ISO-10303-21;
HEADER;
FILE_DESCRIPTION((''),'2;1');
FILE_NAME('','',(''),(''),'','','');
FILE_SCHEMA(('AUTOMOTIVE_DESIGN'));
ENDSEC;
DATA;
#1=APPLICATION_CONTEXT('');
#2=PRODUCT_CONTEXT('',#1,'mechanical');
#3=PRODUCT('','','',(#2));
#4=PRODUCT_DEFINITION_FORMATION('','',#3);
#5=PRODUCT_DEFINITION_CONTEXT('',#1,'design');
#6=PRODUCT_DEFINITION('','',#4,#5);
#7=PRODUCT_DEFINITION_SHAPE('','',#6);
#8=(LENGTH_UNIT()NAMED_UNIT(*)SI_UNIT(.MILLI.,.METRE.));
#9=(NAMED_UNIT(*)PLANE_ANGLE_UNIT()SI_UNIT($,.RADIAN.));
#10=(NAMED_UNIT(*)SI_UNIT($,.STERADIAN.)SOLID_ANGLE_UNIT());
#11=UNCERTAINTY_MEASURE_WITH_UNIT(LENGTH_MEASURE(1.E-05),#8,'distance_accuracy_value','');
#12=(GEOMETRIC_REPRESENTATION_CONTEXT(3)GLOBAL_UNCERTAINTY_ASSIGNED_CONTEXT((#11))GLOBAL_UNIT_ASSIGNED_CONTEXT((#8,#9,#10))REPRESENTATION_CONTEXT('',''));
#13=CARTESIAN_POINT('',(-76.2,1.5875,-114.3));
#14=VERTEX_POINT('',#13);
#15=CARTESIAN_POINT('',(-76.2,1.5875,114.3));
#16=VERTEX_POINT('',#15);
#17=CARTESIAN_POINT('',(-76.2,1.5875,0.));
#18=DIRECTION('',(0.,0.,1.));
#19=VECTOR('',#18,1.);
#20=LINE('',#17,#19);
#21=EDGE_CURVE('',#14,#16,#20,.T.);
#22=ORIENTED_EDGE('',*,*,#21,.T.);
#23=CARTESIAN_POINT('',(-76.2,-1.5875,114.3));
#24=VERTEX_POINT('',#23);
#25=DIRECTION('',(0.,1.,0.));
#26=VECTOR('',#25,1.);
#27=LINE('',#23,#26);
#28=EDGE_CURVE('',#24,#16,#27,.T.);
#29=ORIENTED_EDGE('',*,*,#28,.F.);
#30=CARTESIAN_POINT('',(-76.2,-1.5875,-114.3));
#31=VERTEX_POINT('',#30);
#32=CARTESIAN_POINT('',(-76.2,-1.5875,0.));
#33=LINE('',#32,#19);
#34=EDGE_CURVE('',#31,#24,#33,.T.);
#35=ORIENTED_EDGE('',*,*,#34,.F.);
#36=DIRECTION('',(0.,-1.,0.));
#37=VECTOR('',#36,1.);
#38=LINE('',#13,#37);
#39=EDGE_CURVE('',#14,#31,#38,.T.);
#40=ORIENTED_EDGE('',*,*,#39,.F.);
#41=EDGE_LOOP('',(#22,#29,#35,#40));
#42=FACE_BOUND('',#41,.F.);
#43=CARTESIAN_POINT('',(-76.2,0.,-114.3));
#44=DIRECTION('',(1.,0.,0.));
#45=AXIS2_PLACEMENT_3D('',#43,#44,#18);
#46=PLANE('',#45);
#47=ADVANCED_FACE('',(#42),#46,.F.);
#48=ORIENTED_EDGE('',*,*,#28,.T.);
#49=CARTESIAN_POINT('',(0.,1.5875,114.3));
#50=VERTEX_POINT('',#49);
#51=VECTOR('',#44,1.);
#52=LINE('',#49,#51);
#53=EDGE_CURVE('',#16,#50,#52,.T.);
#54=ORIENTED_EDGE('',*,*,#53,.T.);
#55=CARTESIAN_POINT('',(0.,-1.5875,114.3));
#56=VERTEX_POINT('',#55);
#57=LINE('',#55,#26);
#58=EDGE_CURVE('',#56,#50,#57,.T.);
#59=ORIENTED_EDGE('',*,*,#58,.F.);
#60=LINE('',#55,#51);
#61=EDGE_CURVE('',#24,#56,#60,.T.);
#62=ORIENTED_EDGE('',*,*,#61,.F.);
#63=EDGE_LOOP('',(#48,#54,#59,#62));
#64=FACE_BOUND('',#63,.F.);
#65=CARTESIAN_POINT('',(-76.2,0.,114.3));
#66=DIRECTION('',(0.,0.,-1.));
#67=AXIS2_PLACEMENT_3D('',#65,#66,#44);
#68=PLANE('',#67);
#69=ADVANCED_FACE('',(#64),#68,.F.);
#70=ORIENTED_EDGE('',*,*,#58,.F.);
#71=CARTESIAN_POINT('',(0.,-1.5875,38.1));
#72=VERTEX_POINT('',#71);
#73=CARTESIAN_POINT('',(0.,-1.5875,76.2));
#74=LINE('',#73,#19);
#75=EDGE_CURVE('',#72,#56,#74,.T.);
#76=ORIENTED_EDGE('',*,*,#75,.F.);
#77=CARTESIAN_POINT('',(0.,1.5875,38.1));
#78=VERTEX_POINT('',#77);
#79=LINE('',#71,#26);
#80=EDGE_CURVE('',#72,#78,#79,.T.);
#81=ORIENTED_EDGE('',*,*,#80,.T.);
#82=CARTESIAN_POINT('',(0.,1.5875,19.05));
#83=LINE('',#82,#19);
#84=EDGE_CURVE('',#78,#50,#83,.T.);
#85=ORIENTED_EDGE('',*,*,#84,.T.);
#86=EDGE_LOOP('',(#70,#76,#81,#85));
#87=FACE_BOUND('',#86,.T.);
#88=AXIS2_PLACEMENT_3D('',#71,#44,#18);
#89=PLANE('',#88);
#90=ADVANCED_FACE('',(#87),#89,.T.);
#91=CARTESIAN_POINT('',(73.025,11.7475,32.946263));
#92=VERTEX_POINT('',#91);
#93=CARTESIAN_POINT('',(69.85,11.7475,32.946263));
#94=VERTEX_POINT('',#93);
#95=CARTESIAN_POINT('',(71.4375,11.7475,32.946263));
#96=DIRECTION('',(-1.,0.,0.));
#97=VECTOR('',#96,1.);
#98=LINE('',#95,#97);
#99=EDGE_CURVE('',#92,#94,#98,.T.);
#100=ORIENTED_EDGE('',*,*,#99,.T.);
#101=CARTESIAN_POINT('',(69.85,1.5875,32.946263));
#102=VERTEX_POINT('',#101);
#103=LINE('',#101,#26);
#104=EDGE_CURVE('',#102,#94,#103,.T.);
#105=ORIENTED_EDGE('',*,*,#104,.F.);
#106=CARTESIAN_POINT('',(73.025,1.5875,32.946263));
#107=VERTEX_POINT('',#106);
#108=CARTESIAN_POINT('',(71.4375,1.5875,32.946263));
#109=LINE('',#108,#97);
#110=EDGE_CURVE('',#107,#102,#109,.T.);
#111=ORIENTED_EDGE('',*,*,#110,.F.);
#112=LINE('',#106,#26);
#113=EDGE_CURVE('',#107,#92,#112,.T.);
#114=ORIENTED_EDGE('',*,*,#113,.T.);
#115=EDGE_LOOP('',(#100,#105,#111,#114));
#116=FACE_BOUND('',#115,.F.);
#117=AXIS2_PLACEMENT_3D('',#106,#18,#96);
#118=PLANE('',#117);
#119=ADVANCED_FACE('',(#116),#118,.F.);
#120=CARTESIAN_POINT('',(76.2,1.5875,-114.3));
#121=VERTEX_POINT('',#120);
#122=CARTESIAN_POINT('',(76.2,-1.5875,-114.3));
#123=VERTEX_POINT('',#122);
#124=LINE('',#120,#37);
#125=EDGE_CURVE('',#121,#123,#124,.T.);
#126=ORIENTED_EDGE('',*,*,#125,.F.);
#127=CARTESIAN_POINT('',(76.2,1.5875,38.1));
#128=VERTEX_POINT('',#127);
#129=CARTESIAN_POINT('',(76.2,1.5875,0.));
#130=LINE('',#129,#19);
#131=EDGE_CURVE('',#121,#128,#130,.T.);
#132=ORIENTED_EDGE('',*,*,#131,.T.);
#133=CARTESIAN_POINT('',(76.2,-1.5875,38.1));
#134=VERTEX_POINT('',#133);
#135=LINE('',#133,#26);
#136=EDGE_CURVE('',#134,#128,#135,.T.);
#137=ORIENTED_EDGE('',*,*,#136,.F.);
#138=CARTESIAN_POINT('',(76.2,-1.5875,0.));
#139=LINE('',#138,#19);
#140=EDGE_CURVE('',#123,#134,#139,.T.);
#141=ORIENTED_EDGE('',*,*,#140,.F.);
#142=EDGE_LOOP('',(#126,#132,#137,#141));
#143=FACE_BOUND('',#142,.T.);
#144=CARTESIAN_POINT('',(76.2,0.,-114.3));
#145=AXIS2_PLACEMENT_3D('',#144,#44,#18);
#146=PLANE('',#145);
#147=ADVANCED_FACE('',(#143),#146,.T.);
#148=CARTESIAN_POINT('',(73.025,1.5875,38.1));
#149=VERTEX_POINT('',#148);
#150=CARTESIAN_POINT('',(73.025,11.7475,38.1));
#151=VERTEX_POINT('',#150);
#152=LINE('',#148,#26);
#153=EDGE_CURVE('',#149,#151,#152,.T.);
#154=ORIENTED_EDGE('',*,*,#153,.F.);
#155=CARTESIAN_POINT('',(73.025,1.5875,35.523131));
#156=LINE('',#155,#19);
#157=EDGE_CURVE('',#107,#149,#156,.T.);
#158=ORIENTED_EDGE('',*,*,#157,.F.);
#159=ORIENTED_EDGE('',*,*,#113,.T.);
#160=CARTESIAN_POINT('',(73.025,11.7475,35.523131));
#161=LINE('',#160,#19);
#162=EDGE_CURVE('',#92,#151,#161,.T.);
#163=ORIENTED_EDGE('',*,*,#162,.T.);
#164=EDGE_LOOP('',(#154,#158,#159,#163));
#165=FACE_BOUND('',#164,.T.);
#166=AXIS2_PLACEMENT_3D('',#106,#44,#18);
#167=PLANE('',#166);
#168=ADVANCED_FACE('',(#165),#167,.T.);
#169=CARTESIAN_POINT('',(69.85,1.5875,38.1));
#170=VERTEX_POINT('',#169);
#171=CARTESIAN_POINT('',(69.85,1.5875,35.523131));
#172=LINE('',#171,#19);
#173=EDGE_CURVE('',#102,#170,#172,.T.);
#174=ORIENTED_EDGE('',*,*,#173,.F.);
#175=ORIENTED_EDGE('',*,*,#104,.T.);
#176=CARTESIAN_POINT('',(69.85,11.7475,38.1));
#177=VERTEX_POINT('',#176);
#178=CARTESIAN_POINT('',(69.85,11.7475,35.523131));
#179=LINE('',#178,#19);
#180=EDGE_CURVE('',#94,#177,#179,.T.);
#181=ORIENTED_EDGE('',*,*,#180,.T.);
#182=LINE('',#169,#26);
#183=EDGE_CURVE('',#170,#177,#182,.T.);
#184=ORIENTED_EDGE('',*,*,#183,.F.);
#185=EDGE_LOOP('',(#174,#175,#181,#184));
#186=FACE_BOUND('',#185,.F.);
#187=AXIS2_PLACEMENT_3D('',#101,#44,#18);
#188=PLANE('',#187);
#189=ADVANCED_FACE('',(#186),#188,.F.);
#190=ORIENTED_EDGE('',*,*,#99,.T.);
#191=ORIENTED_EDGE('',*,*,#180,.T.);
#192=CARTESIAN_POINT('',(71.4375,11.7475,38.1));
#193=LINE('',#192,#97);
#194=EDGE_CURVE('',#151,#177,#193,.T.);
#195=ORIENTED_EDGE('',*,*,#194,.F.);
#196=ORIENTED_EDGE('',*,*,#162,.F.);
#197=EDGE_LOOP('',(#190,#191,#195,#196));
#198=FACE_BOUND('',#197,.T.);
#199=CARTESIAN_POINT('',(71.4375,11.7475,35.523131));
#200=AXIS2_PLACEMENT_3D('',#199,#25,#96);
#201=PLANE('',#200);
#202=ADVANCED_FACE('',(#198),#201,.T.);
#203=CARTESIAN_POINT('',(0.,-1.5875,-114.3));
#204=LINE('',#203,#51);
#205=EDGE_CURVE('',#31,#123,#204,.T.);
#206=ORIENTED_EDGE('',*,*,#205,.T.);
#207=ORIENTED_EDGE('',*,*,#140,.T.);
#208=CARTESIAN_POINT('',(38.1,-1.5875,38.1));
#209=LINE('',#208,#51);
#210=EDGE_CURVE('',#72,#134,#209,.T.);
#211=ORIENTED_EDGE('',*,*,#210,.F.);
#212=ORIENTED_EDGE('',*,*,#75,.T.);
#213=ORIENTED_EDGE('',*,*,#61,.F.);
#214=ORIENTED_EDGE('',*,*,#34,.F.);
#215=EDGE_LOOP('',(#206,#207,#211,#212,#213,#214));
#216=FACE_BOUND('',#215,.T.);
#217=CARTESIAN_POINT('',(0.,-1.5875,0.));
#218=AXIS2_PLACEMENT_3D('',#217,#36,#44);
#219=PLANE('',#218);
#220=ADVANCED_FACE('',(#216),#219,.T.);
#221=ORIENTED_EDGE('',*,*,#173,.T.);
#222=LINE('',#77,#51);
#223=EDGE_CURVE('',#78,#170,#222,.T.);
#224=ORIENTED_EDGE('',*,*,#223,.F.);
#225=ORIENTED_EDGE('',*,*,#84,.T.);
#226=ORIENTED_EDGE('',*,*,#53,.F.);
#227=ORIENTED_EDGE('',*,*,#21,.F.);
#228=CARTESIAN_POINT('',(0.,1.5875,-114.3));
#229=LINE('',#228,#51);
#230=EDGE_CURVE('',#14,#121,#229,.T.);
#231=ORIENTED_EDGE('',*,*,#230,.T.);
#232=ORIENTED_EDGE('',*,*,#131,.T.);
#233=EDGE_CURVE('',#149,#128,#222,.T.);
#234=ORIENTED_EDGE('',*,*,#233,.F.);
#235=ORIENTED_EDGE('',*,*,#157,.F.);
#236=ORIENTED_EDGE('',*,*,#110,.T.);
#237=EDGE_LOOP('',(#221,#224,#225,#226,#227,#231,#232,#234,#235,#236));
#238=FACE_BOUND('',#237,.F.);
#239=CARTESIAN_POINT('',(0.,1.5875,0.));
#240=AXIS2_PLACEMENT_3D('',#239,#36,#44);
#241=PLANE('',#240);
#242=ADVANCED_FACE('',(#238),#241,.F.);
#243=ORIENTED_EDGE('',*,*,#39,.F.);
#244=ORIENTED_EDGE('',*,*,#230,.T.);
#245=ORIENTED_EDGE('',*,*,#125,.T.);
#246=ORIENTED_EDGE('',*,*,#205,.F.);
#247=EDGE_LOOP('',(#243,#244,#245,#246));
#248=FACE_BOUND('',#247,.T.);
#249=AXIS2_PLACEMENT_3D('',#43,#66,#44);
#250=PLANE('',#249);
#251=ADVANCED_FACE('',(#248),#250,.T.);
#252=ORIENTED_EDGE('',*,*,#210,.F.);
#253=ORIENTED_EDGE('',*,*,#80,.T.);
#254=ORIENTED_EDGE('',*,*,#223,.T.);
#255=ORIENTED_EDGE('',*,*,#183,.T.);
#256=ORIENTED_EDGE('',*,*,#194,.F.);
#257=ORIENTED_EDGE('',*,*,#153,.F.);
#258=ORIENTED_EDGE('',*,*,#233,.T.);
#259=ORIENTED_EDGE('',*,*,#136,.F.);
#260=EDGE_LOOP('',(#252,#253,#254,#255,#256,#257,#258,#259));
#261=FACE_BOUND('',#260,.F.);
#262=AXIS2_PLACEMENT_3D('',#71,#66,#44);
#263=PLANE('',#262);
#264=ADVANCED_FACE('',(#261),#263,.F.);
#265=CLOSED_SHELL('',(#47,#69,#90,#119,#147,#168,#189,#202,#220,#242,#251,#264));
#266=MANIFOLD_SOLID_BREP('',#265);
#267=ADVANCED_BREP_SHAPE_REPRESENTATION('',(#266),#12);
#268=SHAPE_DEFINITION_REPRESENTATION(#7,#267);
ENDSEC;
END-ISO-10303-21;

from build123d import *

# Parameters (mm, degrees)
F0_W     = 152.4
F0_H     = 228.6
F1_DEPTH = 1.5875
F2_W     = 76.2
F2_H     = 76.2
F3_DEPTH = 3.176
F4_W     = 3.175
F4_H     = 5.1537374914
F5_DEPTH = 10.16


with BuildPart() as f1:
    # F0 (on Front) → F1 (new body, symmetric)
    with BuildSketch(Plane.XZ):
        Rectangle(F0_W, F0_H)
    extrude(amount=F1_DEPTH, both=True)

    # F2 (on face) → F3 (cut, through all)
    with BuildSketch(Plane.XZ.offset(1.5875)):
        with Locations((38.1, 76.2)):
            Rectangle(F2_W, F2_H)
    extrude(amount=-F3_DEPTH, mode=Mode.SUBTRACT)

    # F4 (on face) → F5 (join)
    with BuildSketch(Plane(origin=(0, 1.5875, 0), x_dir=(-1, 0, 0), z_dir=(0, 1, 0))):
        with Locations((-71.4375, 35.5231312543)):
            Rectangle(F4_W, F4_H)
    extrude(amount=F5_DEPTH)


solid = f1.part
